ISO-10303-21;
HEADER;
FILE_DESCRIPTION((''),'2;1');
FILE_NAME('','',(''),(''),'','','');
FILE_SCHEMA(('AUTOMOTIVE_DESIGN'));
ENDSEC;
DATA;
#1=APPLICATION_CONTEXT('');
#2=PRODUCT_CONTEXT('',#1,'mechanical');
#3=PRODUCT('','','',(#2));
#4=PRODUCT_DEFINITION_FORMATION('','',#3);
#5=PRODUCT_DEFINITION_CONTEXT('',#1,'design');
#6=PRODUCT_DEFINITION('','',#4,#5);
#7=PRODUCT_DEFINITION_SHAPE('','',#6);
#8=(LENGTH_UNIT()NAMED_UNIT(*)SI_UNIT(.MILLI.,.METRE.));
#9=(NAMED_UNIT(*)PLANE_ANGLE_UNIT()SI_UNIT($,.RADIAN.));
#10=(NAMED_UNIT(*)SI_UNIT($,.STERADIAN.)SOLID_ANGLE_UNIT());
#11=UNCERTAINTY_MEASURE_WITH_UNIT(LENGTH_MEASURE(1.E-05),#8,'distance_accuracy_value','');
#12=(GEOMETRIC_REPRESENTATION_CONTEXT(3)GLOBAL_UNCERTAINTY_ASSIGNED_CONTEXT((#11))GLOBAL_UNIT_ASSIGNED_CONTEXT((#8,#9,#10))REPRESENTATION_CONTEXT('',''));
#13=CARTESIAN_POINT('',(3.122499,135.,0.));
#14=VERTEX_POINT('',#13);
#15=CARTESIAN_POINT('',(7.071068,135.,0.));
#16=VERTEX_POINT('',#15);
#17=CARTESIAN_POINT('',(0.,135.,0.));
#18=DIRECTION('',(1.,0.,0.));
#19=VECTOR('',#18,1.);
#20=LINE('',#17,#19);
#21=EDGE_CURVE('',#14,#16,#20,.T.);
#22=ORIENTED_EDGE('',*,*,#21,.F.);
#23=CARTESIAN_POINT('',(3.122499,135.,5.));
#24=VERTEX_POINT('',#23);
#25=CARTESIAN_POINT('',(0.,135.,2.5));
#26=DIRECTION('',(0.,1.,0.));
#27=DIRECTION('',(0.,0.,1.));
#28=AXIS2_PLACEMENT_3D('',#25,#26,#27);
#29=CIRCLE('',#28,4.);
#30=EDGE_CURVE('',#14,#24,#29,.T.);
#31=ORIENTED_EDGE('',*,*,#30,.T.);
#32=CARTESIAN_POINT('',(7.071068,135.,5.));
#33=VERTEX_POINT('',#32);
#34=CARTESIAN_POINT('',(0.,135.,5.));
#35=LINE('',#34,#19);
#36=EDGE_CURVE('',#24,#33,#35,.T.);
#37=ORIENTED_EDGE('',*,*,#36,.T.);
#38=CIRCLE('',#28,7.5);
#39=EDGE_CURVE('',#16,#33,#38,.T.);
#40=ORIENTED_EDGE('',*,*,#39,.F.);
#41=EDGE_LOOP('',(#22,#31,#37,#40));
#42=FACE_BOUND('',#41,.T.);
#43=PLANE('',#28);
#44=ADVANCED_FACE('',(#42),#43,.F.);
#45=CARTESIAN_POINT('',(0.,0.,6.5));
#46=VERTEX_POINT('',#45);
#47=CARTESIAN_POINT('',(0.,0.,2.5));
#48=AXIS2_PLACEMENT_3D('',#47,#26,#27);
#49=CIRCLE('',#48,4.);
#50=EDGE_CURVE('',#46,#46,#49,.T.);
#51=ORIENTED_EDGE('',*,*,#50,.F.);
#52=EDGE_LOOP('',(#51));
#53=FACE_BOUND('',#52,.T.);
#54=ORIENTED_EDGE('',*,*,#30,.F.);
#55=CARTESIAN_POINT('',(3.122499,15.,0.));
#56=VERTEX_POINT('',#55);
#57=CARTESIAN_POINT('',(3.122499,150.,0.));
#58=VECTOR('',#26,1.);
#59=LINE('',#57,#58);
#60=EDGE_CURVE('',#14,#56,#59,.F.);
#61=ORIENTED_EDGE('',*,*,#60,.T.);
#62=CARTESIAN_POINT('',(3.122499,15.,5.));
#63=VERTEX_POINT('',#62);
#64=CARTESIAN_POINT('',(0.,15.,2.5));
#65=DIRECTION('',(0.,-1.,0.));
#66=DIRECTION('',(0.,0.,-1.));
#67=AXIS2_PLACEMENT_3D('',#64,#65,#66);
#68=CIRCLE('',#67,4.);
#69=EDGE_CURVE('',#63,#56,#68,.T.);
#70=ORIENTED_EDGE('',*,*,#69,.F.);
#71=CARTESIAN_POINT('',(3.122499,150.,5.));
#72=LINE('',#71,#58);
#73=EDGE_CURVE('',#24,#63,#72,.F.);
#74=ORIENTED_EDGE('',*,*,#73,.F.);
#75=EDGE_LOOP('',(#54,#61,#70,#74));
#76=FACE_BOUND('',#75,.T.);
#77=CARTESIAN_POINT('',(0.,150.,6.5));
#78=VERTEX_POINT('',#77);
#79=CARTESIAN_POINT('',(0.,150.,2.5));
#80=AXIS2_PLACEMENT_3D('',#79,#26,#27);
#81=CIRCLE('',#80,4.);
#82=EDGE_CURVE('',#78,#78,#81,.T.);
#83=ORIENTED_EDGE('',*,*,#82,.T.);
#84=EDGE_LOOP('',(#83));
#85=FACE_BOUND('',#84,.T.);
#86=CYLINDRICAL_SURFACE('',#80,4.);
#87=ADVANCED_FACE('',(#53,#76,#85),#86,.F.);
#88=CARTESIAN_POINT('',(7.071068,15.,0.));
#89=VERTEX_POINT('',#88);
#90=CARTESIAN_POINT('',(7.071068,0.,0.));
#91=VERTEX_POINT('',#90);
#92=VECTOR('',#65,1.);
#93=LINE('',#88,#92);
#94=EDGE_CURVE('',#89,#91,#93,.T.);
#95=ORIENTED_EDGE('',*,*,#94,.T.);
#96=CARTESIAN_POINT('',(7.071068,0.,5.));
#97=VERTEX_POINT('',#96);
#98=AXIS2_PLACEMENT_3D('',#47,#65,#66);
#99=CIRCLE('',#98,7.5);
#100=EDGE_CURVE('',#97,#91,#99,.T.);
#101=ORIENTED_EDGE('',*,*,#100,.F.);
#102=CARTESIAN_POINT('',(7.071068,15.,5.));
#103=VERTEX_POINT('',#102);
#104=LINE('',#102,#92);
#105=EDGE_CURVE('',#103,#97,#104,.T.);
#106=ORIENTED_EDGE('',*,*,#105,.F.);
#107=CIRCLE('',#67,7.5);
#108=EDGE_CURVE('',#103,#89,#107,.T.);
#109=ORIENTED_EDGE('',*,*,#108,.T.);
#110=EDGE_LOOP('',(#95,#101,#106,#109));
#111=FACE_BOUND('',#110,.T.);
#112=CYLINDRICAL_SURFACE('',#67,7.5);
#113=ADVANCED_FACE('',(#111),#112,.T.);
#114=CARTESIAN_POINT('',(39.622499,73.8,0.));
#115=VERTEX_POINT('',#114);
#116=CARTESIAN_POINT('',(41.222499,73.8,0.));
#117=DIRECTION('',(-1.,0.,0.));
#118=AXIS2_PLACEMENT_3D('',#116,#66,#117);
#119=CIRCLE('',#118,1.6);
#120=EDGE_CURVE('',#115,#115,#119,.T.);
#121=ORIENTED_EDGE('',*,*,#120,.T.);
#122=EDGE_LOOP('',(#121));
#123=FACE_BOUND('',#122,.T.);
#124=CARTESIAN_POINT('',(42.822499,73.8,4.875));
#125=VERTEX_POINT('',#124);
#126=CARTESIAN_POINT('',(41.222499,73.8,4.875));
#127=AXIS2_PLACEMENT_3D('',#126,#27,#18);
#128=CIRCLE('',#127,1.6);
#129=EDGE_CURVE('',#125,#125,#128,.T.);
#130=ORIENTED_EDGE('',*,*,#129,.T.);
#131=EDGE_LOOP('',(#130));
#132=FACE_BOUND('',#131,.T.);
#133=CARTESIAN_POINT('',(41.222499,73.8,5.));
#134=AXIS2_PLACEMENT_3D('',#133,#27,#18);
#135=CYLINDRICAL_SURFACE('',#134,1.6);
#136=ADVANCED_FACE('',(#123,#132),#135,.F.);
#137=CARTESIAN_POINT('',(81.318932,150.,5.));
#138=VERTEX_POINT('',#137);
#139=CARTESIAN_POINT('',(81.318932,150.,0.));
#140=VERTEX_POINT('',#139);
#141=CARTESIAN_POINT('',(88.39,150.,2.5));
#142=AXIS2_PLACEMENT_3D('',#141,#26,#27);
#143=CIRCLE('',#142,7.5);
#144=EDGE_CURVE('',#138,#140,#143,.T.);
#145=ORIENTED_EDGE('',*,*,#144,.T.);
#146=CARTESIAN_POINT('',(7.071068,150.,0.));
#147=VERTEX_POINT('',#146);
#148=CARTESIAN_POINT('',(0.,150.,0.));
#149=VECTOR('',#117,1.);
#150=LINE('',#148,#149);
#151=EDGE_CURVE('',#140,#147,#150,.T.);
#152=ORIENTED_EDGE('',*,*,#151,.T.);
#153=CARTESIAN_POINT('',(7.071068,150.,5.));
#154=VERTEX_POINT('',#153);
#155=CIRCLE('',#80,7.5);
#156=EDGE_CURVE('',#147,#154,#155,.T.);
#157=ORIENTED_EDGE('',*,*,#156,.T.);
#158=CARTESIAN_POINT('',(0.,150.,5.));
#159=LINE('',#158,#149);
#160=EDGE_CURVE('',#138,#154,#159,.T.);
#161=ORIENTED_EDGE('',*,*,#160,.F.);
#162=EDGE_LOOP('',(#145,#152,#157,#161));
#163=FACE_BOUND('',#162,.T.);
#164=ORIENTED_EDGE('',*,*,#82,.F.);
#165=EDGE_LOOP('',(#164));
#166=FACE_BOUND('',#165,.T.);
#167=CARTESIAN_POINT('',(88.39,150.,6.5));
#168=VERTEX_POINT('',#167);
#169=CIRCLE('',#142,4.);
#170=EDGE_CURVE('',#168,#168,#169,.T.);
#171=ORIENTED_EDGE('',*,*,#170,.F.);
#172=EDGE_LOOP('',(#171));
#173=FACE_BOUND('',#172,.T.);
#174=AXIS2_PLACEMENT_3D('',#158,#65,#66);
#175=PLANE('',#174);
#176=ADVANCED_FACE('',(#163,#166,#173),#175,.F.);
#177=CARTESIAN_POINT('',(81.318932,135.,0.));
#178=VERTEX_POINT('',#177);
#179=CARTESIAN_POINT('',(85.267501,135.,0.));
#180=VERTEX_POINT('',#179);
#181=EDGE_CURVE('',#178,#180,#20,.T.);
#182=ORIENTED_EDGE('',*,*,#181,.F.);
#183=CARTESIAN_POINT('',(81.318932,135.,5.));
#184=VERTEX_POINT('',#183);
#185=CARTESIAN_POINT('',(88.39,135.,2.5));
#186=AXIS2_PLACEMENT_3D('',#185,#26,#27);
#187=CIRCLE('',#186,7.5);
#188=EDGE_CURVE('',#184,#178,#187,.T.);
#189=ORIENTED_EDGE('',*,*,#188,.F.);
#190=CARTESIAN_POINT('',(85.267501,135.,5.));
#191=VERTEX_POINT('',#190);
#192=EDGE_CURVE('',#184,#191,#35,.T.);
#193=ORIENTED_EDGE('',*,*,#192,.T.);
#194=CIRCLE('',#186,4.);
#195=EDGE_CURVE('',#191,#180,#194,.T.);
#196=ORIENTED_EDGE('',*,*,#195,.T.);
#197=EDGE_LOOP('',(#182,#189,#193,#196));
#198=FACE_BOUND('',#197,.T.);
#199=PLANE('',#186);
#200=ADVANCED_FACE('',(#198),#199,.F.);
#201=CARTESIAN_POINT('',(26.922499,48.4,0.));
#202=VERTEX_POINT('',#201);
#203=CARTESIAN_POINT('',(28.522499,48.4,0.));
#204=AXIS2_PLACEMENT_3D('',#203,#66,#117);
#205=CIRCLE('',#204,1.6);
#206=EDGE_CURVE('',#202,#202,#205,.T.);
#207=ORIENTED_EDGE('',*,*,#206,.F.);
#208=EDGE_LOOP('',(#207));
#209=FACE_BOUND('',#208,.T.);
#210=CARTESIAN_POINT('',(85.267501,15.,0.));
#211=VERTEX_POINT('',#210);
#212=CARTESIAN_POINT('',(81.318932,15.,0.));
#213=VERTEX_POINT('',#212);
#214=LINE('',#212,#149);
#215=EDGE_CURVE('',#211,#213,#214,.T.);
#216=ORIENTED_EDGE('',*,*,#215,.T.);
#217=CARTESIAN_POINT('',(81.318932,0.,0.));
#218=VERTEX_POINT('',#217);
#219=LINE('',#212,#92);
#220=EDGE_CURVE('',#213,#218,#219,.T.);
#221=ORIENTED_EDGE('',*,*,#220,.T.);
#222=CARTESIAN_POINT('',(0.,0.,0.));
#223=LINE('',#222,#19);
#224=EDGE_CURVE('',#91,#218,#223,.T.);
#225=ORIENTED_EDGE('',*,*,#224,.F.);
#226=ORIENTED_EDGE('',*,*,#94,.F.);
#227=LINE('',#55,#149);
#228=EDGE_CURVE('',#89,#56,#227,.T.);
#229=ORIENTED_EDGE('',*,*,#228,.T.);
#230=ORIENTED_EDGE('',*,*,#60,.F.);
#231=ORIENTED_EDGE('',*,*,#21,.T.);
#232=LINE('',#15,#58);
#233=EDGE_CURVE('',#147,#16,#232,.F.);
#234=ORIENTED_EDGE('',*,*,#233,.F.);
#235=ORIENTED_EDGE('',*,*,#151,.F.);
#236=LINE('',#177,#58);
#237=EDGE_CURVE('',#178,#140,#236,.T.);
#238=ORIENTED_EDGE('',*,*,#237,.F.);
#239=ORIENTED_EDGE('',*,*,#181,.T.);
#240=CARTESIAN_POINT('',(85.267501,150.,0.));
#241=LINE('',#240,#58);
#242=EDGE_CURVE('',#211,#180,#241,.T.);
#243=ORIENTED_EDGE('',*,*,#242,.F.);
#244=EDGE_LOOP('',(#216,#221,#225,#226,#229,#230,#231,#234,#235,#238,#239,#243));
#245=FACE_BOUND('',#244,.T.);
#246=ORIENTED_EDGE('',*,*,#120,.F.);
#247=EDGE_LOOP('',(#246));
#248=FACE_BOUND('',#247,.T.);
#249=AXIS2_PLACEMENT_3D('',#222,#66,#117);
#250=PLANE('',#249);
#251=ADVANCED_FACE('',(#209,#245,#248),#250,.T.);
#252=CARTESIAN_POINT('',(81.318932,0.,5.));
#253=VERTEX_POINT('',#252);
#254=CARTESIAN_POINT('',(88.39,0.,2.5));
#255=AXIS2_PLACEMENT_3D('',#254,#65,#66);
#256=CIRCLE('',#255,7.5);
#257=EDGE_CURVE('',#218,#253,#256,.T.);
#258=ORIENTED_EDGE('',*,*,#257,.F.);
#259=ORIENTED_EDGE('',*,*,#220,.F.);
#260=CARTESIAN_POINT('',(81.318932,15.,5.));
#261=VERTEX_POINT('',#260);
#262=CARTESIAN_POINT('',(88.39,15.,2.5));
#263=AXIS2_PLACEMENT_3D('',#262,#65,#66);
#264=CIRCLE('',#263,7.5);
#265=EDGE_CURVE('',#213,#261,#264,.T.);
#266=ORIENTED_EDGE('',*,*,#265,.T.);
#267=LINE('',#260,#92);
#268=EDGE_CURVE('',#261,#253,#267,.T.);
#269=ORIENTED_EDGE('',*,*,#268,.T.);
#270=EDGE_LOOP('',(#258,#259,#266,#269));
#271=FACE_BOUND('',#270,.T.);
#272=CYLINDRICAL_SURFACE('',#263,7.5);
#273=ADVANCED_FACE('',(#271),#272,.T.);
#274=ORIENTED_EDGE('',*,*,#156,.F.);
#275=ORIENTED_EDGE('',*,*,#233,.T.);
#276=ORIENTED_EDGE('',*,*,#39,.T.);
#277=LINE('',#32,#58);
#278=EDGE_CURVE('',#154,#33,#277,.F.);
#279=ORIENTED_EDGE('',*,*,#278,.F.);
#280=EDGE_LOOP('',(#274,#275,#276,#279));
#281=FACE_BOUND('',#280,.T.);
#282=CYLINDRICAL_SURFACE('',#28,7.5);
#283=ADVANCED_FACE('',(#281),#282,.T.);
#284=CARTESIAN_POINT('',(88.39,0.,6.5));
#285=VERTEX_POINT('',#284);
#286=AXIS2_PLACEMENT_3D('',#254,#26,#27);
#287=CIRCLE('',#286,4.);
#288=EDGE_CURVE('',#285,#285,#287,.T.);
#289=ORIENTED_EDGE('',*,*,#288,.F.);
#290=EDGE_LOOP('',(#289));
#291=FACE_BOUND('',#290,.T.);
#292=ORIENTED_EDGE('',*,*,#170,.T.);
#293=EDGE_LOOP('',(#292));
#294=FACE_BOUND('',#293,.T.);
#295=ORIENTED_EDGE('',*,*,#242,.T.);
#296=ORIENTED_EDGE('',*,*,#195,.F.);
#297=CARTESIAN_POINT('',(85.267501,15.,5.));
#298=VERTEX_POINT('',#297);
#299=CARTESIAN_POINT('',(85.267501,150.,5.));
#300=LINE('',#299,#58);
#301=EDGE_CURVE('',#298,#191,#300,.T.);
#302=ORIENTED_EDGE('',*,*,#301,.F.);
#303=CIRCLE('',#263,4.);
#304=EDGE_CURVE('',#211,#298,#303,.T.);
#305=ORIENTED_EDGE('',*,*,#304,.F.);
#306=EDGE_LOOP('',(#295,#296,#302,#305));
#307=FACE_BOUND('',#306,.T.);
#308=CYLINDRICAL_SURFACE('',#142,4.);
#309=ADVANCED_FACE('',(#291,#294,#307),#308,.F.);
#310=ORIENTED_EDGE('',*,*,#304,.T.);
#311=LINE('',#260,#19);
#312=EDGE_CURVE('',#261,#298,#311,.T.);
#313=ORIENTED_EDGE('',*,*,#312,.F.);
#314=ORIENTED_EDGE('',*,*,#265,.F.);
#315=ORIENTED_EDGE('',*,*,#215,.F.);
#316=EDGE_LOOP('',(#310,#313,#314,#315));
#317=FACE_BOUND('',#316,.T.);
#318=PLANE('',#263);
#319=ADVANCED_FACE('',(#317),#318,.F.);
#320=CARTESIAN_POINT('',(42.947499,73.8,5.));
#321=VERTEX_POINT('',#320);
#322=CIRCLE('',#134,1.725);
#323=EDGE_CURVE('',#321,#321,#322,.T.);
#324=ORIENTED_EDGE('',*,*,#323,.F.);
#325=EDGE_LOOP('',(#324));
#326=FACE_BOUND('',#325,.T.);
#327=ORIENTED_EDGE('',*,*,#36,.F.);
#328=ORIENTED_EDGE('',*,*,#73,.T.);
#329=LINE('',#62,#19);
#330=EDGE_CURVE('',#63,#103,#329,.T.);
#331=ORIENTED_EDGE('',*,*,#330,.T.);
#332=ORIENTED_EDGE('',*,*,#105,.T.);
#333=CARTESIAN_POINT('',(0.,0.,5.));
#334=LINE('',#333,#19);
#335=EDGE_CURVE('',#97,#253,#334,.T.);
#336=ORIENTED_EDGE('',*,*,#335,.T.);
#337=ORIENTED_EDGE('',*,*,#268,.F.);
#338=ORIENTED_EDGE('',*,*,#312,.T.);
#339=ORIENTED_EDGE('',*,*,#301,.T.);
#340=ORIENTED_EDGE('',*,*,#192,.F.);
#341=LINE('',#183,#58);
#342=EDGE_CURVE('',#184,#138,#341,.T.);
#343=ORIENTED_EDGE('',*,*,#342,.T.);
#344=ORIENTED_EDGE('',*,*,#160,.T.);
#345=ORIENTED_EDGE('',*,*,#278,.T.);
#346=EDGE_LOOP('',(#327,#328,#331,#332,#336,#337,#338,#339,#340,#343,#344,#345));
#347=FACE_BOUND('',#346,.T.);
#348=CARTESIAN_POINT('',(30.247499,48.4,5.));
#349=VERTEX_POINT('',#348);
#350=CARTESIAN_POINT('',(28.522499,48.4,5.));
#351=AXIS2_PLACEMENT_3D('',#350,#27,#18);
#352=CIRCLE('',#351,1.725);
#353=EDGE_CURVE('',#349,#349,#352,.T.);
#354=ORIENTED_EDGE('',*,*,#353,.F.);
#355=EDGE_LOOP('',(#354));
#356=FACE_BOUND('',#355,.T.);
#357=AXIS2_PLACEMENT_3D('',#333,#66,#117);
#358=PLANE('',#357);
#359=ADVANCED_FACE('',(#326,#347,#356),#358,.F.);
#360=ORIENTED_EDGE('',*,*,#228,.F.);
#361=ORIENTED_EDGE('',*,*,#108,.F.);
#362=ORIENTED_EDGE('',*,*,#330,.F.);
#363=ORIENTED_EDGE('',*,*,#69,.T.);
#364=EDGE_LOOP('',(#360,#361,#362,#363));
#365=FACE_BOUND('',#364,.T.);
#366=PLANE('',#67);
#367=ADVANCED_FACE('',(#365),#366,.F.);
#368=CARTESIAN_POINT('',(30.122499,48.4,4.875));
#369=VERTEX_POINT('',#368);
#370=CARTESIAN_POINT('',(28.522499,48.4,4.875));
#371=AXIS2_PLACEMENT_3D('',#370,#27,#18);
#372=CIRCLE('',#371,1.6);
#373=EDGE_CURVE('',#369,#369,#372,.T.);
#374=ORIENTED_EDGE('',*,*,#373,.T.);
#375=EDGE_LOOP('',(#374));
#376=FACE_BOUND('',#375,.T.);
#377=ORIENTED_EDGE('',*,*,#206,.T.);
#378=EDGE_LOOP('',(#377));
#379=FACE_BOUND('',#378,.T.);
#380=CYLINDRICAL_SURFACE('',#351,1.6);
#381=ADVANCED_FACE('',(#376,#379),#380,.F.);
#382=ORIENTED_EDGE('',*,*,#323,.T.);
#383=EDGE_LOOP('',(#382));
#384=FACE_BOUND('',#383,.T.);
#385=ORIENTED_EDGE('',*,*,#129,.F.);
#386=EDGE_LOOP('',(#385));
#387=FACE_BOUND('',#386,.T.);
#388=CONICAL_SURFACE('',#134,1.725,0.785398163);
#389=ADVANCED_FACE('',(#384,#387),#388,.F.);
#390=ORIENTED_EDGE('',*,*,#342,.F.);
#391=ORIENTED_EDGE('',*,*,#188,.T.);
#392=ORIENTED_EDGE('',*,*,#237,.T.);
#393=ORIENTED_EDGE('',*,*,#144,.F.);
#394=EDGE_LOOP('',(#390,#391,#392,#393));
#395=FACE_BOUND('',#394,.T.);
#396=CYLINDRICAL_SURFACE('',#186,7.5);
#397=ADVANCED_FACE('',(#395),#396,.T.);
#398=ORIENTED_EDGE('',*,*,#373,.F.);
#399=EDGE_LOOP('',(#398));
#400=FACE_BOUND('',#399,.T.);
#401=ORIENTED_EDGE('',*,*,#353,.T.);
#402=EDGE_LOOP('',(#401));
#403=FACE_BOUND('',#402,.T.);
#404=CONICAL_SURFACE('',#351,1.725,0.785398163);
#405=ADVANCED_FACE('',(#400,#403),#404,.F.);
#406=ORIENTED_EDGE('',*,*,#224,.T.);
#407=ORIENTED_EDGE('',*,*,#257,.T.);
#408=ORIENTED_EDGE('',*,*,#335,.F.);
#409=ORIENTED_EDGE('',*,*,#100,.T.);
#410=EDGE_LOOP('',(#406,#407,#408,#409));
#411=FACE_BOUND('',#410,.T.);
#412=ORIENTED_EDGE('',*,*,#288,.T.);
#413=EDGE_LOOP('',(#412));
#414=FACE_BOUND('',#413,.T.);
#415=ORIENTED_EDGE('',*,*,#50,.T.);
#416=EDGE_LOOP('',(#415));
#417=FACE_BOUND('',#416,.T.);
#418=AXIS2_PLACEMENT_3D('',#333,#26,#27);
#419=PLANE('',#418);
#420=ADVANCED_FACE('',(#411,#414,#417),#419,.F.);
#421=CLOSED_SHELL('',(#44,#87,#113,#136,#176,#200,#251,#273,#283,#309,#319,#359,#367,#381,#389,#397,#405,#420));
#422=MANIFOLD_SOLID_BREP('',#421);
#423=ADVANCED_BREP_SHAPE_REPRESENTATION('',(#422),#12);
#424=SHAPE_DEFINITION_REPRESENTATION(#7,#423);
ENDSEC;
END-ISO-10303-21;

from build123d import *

# Parameters (mm, degrees)
SKETCH_1_W                   = 88.39
SKETCH_1_H                   = 150
EXTRUDE_1_DEPTH              = 5
SKETCH_2_R                   = 7.5
EXTRUDE_2_DEPTH              = 15
HOLE_WIZARD_1_D              = 8
EXTRUDE_3_DEPTH              = 15
SKETCH_8_R                   = 4
CUT_EXTRUDE_1_DEPTH          = 166.891205614
HOLE_WIZARD_M3_1_D           = 3.2
HOLE_WIZARD_M3_1_CSINK_D     = 3.45
HOLE_WIZARD_M3_1_CSINK_ANGLE = 90


with BuildPart() as part:
    # 스케치1 → 보스-돌출1 (new body)
    with BuildSketch(Plane.XY):
        with Locations((44.195, 75)):
            Rectangle(SKETCH_1_W, SKETCH_1_H)
    extrude(amount=EXTRUDE_1_DEPTH)

    # 스케치2 → 보스-돌출2 (add)
    with BuildSketch(Plane(origin=(0, 150, 0), x_dir=(1, 0, 0), z_dir=(0, 1, 0))):
        with Locations((88.39, -2.5)):
            Circle(SKETCH_2_R)
        with Locations((0, -2.5)):
            Circle(SKETCH_2_R)
    extrude(amount=-EXTRUDE_2_DEPTH)

    # 구멍1 (through all)
    with Locations(Plane(origin=(0, 150, 0), x_dir=(1, 0, 0), z_dir=(0, 1, 0))):
        with Locations((0, -2.5), (88.39, -2.5)):
            Hole(HOLE_WIZARD_1_D / 2)

    # 스케치7 → 보스-돌출3 (add)
    with BuildSketch(Plane.XZ):
        with BuildLine():
            Line((81.318932188, 0), (85.267501001, 0))
            ThreePointArc((85.267501001, 0), (84.39, 2.5), (85.267501001, 5))
            Line((85.267501001, 5), (81.318932188, 5))
            ThreePointArc((81.318932188, 5), (95.89, 2.5), (81.318932188, 0))
        make_face()
        with BuildLine():
            Line((3.122498999, 5), (7.071067812, 5))
            ThreePointArc((7.071067812, 5), (-7.5, 2.5), (7.071067812, 0))
            Line((7.071067812, 0), (3.122498999, 0))
            ThreePointArc((3.122498999, 0), (4, 2.5), (3.122498999, 5))
        make_face()
    extrude(amount=-EXTRUDE_3_DEPTH)

    # 스케치8 → 컷-돌출1 (cut, through all)
    with BuildSketch(Plane(origin=(0, 15, 0), x_dir=(1, 0, 0), z_dir=(0, 1, 0))):
        with Locations(Location((0, -2.5, 0), (0, 0, 270))):
            Circle(SKETCH_8_R)
        with Locations(Location((88.39, -2.5, 0), (0, 0, 270))):
            Circle(SKETCH_8_R)
    extrude(amount=-CUT_EXTRUDE_1_DEPTH, mode=Mode.SUBTRACT)

    # M3 여유 구멍1 (through all)
    with Locations(Plane.XY.offset(5)):
        with Locations((41.222498999, 73.8), (28.522498999, 48.4)):
            CounterSinkHole(HOLE_WIZARD_M3_1_D / 2, HOLE_WIZARD_M3_1_CSINK_D / 2, counter_sink_angle=HOLE_WIZARD_M3_1_CSINK_ANGLE)


solid = part.part
